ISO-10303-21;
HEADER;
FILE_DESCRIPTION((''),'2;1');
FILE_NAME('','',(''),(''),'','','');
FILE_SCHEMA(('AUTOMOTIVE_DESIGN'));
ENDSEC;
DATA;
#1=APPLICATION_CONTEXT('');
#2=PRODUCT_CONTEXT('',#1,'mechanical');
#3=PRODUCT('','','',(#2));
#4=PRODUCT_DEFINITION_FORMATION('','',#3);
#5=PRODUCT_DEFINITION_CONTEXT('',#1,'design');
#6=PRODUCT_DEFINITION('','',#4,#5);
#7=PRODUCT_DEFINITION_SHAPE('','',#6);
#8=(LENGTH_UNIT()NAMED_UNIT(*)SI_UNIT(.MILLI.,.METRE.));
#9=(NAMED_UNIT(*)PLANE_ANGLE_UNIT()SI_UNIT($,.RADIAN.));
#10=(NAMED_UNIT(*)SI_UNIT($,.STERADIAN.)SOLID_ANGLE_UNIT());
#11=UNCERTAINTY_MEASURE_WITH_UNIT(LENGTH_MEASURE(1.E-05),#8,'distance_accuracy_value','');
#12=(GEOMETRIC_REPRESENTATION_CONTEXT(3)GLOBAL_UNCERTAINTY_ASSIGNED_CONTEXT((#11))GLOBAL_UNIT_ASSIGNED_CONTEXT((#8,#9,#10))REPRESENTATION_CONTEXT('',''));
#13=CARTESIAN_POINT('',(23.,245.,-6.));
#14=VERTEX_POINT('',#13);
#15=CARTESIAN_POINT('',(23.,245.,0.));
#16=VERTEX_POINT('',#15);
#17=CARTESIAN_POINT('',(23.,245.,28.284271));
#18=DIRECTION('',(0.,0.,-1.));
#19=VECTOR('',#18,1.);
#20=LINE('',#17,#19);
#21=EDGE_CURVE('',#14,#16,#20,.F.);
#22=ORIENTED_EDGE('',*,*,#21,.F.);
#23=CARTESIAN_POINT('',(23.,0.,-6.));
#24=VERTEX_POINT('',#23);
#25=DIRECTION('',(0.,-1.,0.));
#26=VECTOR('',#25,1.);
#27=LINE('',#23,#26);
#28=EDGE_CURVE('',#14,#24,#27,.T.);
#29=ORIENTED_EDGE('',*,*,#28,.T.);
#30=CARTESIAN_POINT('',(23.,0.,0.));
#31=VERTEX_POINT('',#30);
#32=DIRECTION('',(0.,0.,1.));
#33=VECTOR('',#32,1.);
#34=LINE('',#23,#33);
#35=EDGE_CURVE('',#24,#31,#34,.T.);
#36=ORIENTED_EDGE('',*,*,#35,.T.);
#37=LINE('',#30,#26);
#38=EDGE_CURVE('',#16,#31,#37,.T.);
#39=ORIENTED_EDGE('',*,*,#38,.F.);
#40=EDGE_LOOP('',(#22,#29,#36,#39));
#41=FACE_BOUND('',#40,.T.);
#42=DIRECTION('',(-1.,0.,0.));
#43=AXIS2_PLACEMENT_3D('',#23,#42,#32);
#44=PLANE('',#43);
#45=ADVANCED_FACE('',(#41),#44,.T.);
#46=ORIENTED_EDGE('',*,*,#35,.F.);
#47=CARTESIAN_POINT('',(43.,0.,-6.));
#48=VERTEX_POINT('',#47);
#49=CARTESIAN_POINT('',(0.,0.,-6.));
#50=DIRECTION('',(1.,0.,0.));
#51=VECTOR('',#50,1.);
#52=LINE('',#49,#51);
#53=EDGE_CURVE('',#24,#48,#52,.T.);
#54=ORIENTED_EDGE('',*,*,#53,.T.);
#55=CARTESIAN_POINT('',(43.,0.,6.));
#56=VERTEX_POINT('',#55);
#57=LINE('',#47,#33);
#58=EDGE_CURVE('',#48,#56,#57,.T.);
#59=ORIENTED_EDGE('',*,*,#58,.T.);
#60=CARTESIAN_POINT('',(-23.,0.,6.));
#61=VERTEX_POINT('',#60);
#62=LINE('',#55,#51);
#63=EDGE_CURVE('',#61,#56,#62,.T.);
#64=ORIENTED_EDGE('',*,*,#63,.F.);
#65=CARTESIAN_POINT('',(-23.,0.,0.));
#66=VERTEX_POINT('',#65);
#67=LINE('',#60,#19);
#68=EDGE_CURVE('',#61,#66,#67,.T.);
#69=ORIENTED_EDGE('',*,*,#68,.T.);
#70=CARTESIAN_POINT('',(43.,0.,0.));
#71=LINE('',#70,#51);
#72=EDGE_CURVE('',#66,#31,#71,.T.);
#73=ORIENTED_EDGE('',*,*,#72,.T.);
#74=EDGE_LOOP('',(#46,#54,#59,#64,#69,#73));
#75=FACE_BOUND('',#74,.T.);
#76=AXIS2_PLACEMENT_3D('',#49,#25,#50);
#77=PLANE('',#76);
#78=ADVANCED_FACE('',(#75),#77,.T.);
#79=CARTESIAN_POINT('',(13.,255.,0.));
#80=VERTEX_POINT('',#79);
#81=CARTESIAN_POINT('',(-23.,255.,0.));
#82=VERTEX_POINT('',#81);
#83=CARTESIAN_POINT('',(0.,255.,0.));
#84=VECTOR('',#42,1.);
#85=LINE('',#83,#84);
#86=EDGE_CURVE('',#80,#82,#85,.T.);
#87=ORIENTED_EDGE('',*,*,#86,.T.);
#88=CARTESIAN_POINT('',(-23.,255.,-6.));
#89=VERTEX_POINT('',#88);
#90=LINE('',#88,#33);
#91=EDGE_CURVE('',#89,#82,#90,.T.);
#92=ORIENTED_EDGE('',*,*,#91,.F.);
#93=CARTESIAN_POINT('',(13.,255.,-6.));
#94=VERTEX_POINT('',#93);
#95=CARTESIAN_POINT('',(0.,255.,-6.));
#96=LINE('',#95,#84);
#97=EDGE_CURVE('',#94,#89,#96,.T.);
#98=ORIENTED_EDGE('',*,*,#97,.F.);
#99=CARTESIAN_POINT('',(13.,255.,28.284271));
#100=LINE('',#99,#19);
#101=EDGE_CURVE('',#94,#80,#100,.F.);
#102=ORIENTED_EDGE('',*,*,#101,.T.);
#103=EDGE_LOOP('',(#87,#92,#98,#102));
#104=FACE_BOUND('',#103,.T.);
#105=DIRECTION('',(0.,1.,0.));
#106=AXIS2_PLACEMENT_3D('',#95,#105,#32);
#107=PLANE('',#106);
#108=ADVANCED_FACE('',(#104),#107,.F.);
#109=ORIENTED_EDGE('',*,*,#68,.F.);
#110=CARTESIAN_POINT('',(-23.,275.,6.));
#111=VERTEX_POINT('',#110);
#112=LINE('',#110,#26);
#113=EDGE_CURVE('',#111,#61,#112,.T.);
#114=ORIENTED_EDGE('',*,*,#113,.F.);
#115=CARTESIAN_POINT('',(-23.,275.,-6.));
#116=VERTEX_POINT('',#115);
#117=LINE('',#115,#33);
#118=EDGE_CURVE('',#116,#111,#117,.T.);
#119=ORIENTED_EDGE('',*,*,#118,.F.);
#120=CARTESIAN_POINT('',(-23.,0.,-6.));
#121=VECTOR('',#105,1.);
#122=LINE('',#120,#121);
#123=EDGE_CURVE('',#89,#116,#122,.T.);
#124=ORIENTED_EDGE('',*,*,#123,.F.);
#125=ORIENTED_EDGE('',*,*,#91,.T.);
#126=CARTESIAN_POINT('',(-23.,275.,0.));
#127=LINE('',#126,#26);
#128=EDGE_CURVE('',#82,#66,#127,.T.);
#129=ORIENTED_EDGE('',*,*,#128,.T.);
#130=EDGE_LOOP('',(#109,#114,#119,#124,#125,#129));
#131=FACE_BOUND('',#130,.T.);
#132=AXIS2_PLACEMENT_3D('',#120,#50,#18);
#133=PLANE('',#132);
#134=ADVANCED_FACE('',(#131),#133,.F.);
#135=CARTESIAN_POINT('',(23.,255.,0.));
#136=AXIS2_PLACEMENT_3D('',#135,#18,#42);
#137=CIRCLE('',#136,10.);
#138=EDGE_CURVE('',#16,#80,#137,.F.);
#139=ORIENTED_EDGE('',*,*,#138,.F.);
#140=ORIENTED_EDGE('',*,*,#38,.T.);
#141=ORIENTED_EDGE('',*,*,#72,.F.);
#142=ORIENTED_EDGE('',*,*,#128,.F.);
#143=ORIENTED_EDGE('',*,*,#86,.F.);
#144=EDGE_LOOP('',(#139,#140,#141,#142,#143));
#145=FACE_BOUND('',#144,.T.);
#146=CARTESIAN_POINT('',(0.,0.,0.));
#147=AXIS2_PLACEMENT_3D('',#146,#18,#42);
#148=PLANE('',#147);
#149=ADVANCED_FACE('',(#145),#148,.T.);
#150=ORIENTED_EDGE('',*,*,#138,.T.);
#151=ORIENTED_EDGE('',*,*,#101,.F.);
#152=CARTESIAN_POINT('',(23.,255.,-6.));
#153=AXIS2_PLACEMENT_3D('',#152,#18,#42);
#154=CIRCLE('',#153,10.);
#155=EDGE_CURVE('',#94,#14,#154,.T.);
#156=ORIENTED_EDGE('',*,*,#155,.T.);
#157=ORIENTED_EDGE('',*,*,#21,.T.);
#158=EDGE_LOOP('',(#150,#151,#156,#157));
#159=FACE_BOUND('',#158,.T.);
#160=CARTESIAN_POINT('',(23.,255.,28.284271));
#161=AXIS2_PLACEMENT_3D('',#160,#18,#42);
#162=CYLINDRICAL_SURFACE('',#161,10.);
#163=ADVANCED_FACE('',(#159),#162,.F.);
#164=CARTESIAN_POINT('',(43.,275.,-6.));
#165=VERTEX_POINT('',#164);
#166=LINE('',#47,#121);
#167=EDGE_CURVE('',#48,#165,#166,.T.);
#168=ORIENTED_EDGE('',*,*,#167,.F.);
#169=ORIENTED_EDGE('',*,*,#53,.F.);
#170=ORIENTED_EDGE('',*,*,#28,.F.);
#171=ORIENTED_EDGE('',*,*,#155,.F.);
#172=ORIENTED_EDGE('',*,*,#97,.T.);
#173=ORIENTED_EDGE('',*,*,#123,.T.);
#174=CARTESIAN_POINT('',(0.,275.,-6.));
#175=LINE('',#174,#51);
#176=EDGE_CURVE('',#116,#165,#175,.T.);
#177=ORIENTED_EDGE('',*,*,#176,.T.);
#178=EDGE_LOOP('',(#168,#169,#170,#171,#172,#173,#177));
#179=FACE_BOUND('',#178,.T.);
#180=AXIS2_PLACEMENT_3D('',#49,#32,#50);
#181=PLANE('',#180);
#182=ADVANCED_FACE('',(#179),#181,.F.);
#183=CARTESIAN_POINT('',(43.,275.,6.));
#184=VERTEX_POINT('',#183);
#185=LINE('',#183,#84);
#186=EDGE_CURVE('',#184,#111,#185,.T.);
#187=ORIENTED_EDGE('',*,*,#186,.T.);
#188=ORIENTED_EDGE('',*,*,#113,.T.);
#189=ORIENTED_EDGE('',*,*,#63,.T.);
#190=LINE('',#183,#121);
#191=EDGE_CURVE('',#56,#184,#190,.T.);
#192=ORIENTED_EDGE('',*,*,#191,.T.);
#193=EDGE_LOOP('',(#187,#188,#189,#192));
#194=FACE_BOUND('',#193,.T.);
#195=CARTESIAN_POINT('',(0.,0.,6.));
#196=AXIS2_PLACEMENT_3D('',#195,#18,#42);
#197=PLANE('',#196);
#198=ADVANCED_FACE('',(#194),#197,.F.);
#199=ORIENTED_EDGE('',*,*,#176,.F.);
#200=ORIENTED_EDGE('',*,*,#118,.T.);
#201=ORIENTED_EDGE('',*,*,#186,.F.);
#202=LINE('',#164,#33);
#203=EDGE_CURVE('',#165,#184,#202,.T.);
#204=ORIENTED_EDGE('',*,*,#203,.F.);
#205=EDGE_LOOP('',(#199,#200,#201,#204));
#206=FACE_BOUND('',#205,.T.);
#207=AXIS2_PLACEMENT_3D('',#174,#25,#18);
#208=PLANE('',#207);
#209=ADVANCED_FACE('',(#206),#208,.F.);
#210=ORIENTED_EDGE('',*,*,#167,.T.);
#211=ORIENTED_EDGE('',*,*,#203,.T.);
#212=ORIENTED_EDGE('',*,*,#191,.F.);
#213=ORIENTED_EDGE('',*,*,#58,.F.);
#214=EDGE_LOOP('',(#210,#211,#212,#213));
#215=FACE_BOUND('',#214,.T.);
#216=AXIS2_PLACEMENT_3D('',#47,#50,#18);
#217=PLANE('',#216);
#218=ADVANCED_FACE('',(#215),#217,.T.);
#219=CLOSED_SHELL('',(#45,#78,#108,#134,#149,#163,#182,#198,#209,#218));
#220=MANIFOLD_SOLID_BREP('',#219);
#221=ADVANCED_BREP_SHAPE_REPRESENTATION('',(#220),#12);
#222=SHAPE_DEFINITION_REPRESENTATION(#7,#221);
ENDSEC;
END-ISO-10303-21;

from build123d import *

# Parameters (mm, degrees)
BOSS_EXTRUDE1_DEPTH = 6
SKETCH2_W           = 66
SKETCH2_H           = 275
BOSS_EXTRUDE2_DEPTH = 6
SKETCH3_R           = 10
CUT_EXTRUDE1_DEPTH  = 6


with BuildPart() as part:
    # Sketch1 → Boss-Extrude1 (new body)
    with BuildSketch(Plane.XY):
        Polygon((23, 255), (23, 0), (43, 0), (43, 275), (-23, 275), (-23, 255), align=None)
    extrude(amount=-BOSS_EXTRUDE1_DEPTH)

    # Sketch2 → Boss-Extrude2 (add)
    with BuildSketch(Plane.XY):
        with Locations((10, 137.5)):
            Rectangle(SKETCH2_W, SKETCH2_H)
    extrude(amount=BOSS_EXTRUDE2_DEPTH)

    # Sketch3 → Cut-Extrude1 (cut)
    with BuildSketch(Plane(origin=(0, 0, -6), x_dir=(-1, 0, 0), z_dir=(0, 0, -1))):
        with Locations((-23, 255)):
            Circle(SKETCH3_R)
    extrude(amount=-CUT_EXTRUDE1_DEPTH, mode=Mode.SUBTRACT)


solid = part.part
